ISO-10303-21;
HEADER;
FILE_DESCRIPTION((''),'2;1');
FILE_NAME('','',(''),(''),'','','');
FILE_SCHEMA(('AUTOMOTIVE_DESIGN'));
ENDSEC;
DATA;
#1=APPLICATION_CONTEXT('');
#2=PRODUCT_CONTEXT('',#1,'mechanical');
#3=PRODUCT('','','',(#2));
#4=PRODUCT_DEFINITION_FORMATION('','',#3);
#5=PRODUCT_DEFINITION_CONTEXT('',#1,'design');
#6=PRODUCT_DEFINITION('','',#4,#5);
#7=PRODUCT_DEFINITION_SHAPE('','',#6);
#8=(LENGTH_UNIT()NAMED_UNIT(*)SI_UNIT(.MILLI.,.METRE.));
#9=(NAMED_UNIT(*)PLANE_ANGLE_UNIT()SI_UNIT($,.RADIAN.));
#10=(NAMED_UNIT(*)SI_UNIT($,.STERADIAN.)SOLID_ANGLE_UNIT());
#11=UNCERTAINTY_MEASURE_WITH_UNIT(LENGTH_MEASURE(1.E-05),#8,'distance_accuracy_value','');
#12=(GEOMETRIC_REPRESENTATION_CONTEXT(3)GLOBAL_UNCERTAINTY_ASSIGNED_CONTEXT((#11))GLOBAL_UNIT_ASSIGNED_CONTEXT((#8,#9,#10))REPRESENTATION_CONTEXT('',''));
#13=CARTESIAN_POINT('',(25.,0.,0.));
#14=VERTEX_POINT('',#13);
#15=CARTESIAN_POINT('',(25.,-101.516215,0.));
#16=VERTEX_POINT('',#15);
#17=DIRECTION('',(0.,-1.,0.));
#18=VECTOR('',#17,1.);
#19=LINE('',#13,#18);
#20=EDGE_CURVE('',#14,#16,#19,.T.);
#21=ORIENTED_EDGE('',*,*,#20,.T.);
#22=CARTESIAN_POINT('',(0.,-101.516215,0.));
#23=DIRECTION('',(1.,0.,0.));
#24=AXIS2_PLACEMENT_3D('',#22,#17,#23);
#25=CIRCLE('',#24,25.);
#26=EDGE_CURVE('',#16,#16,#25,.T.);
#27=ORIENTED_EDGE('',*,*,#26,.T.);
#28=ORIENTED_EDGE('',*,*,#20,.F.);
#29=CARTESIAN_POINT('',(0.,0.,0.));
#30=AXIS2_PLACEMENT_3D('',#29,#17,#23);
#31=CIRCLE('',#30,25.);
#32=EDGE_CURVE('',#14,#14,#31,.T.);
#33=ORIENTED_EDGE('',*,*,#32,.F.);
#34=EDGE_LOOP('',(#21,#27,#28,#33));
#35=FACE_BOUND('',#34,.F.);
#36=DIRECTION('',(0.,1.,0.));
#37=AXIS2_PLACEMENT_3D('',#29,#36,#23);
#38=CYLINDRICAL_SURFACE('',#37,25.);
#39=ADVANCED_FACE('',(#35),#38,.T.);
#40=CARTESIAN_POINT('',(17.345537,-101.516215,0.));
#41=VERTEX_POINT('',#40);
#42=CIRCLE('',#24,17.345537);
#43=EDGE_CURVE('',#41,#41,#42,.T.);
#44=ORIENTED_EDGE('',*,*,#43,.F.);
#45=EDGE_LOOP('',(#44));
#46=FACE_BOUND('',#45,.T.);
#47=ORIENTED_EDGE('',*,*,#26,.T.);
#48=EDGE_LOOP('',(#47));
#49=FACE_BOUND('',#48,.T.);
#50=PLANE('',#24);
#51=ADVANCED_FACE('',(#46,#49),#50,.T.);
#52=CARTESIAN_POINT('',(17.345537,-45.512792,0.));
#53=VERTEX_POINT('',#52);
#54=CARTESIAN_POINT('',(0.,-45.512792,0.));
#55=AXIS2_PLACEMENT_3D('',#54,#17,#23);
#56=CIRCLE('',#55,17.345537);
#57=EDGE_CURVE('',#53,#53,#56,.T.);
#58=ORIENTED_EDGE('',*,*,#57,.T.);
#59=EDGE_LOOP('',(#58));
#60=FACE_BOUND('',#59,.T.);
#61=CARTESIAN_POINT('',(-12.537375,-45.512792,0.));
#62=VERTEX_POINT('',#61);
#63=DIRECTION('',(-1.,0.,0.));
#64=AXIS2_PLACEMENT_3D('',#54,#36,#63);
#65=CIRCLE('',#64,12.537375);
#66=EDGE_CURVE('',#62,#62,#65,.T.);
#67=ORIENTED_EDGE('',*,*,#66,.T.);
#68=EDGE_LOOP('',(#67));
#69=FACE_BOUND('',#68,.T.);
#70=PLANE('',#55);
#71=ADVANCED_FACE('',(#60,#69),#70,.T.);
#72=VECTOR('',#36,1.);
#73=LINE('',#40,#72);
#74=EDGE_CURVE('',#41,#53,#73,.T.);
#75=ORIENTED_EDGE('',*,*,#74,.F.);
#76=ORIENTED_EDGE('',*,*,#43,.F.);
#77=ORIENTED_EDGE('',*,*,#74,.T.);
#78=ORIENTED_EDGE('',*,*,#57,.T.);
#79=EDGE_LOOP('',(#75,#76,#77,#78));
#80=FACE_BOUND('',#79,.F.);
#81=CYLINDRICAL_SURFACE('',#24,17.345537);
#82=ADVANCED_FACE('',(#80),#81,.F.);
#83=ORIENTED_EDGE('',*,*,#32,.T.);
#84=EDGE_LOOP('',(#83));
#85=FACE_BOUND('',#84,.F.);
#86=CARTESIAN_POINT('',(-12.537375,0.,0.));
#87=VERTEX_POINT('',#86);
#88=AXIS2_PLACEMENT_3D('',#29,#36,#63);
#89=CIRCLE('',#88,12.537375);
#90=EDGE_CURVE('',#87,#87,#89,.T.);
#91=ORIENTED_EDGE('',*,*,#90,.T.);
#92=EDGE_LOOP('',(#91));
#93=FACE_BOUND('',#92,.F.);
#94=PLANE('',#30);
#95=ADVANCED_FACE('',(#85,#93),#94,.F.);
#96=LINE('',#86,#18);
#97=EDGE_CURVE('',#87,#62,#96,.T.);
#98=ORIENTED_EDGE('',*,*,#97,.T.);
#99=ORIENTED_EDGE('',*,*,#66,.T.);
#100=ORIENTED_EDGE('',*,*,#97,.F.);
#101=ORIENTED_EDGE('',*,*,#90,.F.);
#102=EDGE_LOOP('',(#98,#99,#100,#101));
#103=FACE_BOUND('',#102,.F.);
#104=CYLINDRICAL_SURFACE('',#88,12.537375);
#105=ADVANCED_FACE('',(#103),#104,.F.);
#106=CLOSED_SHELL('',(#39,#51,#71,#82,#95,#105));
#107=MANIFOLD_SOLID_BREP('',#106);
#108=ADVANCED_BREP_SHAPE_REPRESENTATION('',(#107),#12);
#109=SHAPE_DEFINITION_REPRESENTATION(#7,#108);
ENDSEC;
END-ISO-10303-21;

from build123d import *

# Parameters (mm, degrees)
F0_R     = 25
F1_DEPTH = 101.516215
F2_R     = 12.537375
F3_DEPTH = 50.175298
F4_R     = 17.345537
F5_DEPTH = 56.003423


with BuildPart() as f1:
    # F0 (on Front) → F1 (new body)
    with BuildSketch(Plane.XZ):
        Circle(F0_R)
    extrude(amount=F1_DEPTH)

    # F2 (on face) → F3 (cut)
    with BuildSketch(Plane(origin=(0, 0, 0), x_dir=(-1, 0, 0), z_dir=(0, 1, 0))):
        Circle(F2_R)
    extrude(amount=-F3_DEPTH, mode=Mode.SUBTRACT)

    # F4 (on face) → F5 (cut)
    with BuildSketch(Plane.XZ.offset(101.516215)):
        Circle(F4_R)
    extrude(amount=-F5_DEPTH, mode=Mode.SUBTRACT)


solid = f1.part
